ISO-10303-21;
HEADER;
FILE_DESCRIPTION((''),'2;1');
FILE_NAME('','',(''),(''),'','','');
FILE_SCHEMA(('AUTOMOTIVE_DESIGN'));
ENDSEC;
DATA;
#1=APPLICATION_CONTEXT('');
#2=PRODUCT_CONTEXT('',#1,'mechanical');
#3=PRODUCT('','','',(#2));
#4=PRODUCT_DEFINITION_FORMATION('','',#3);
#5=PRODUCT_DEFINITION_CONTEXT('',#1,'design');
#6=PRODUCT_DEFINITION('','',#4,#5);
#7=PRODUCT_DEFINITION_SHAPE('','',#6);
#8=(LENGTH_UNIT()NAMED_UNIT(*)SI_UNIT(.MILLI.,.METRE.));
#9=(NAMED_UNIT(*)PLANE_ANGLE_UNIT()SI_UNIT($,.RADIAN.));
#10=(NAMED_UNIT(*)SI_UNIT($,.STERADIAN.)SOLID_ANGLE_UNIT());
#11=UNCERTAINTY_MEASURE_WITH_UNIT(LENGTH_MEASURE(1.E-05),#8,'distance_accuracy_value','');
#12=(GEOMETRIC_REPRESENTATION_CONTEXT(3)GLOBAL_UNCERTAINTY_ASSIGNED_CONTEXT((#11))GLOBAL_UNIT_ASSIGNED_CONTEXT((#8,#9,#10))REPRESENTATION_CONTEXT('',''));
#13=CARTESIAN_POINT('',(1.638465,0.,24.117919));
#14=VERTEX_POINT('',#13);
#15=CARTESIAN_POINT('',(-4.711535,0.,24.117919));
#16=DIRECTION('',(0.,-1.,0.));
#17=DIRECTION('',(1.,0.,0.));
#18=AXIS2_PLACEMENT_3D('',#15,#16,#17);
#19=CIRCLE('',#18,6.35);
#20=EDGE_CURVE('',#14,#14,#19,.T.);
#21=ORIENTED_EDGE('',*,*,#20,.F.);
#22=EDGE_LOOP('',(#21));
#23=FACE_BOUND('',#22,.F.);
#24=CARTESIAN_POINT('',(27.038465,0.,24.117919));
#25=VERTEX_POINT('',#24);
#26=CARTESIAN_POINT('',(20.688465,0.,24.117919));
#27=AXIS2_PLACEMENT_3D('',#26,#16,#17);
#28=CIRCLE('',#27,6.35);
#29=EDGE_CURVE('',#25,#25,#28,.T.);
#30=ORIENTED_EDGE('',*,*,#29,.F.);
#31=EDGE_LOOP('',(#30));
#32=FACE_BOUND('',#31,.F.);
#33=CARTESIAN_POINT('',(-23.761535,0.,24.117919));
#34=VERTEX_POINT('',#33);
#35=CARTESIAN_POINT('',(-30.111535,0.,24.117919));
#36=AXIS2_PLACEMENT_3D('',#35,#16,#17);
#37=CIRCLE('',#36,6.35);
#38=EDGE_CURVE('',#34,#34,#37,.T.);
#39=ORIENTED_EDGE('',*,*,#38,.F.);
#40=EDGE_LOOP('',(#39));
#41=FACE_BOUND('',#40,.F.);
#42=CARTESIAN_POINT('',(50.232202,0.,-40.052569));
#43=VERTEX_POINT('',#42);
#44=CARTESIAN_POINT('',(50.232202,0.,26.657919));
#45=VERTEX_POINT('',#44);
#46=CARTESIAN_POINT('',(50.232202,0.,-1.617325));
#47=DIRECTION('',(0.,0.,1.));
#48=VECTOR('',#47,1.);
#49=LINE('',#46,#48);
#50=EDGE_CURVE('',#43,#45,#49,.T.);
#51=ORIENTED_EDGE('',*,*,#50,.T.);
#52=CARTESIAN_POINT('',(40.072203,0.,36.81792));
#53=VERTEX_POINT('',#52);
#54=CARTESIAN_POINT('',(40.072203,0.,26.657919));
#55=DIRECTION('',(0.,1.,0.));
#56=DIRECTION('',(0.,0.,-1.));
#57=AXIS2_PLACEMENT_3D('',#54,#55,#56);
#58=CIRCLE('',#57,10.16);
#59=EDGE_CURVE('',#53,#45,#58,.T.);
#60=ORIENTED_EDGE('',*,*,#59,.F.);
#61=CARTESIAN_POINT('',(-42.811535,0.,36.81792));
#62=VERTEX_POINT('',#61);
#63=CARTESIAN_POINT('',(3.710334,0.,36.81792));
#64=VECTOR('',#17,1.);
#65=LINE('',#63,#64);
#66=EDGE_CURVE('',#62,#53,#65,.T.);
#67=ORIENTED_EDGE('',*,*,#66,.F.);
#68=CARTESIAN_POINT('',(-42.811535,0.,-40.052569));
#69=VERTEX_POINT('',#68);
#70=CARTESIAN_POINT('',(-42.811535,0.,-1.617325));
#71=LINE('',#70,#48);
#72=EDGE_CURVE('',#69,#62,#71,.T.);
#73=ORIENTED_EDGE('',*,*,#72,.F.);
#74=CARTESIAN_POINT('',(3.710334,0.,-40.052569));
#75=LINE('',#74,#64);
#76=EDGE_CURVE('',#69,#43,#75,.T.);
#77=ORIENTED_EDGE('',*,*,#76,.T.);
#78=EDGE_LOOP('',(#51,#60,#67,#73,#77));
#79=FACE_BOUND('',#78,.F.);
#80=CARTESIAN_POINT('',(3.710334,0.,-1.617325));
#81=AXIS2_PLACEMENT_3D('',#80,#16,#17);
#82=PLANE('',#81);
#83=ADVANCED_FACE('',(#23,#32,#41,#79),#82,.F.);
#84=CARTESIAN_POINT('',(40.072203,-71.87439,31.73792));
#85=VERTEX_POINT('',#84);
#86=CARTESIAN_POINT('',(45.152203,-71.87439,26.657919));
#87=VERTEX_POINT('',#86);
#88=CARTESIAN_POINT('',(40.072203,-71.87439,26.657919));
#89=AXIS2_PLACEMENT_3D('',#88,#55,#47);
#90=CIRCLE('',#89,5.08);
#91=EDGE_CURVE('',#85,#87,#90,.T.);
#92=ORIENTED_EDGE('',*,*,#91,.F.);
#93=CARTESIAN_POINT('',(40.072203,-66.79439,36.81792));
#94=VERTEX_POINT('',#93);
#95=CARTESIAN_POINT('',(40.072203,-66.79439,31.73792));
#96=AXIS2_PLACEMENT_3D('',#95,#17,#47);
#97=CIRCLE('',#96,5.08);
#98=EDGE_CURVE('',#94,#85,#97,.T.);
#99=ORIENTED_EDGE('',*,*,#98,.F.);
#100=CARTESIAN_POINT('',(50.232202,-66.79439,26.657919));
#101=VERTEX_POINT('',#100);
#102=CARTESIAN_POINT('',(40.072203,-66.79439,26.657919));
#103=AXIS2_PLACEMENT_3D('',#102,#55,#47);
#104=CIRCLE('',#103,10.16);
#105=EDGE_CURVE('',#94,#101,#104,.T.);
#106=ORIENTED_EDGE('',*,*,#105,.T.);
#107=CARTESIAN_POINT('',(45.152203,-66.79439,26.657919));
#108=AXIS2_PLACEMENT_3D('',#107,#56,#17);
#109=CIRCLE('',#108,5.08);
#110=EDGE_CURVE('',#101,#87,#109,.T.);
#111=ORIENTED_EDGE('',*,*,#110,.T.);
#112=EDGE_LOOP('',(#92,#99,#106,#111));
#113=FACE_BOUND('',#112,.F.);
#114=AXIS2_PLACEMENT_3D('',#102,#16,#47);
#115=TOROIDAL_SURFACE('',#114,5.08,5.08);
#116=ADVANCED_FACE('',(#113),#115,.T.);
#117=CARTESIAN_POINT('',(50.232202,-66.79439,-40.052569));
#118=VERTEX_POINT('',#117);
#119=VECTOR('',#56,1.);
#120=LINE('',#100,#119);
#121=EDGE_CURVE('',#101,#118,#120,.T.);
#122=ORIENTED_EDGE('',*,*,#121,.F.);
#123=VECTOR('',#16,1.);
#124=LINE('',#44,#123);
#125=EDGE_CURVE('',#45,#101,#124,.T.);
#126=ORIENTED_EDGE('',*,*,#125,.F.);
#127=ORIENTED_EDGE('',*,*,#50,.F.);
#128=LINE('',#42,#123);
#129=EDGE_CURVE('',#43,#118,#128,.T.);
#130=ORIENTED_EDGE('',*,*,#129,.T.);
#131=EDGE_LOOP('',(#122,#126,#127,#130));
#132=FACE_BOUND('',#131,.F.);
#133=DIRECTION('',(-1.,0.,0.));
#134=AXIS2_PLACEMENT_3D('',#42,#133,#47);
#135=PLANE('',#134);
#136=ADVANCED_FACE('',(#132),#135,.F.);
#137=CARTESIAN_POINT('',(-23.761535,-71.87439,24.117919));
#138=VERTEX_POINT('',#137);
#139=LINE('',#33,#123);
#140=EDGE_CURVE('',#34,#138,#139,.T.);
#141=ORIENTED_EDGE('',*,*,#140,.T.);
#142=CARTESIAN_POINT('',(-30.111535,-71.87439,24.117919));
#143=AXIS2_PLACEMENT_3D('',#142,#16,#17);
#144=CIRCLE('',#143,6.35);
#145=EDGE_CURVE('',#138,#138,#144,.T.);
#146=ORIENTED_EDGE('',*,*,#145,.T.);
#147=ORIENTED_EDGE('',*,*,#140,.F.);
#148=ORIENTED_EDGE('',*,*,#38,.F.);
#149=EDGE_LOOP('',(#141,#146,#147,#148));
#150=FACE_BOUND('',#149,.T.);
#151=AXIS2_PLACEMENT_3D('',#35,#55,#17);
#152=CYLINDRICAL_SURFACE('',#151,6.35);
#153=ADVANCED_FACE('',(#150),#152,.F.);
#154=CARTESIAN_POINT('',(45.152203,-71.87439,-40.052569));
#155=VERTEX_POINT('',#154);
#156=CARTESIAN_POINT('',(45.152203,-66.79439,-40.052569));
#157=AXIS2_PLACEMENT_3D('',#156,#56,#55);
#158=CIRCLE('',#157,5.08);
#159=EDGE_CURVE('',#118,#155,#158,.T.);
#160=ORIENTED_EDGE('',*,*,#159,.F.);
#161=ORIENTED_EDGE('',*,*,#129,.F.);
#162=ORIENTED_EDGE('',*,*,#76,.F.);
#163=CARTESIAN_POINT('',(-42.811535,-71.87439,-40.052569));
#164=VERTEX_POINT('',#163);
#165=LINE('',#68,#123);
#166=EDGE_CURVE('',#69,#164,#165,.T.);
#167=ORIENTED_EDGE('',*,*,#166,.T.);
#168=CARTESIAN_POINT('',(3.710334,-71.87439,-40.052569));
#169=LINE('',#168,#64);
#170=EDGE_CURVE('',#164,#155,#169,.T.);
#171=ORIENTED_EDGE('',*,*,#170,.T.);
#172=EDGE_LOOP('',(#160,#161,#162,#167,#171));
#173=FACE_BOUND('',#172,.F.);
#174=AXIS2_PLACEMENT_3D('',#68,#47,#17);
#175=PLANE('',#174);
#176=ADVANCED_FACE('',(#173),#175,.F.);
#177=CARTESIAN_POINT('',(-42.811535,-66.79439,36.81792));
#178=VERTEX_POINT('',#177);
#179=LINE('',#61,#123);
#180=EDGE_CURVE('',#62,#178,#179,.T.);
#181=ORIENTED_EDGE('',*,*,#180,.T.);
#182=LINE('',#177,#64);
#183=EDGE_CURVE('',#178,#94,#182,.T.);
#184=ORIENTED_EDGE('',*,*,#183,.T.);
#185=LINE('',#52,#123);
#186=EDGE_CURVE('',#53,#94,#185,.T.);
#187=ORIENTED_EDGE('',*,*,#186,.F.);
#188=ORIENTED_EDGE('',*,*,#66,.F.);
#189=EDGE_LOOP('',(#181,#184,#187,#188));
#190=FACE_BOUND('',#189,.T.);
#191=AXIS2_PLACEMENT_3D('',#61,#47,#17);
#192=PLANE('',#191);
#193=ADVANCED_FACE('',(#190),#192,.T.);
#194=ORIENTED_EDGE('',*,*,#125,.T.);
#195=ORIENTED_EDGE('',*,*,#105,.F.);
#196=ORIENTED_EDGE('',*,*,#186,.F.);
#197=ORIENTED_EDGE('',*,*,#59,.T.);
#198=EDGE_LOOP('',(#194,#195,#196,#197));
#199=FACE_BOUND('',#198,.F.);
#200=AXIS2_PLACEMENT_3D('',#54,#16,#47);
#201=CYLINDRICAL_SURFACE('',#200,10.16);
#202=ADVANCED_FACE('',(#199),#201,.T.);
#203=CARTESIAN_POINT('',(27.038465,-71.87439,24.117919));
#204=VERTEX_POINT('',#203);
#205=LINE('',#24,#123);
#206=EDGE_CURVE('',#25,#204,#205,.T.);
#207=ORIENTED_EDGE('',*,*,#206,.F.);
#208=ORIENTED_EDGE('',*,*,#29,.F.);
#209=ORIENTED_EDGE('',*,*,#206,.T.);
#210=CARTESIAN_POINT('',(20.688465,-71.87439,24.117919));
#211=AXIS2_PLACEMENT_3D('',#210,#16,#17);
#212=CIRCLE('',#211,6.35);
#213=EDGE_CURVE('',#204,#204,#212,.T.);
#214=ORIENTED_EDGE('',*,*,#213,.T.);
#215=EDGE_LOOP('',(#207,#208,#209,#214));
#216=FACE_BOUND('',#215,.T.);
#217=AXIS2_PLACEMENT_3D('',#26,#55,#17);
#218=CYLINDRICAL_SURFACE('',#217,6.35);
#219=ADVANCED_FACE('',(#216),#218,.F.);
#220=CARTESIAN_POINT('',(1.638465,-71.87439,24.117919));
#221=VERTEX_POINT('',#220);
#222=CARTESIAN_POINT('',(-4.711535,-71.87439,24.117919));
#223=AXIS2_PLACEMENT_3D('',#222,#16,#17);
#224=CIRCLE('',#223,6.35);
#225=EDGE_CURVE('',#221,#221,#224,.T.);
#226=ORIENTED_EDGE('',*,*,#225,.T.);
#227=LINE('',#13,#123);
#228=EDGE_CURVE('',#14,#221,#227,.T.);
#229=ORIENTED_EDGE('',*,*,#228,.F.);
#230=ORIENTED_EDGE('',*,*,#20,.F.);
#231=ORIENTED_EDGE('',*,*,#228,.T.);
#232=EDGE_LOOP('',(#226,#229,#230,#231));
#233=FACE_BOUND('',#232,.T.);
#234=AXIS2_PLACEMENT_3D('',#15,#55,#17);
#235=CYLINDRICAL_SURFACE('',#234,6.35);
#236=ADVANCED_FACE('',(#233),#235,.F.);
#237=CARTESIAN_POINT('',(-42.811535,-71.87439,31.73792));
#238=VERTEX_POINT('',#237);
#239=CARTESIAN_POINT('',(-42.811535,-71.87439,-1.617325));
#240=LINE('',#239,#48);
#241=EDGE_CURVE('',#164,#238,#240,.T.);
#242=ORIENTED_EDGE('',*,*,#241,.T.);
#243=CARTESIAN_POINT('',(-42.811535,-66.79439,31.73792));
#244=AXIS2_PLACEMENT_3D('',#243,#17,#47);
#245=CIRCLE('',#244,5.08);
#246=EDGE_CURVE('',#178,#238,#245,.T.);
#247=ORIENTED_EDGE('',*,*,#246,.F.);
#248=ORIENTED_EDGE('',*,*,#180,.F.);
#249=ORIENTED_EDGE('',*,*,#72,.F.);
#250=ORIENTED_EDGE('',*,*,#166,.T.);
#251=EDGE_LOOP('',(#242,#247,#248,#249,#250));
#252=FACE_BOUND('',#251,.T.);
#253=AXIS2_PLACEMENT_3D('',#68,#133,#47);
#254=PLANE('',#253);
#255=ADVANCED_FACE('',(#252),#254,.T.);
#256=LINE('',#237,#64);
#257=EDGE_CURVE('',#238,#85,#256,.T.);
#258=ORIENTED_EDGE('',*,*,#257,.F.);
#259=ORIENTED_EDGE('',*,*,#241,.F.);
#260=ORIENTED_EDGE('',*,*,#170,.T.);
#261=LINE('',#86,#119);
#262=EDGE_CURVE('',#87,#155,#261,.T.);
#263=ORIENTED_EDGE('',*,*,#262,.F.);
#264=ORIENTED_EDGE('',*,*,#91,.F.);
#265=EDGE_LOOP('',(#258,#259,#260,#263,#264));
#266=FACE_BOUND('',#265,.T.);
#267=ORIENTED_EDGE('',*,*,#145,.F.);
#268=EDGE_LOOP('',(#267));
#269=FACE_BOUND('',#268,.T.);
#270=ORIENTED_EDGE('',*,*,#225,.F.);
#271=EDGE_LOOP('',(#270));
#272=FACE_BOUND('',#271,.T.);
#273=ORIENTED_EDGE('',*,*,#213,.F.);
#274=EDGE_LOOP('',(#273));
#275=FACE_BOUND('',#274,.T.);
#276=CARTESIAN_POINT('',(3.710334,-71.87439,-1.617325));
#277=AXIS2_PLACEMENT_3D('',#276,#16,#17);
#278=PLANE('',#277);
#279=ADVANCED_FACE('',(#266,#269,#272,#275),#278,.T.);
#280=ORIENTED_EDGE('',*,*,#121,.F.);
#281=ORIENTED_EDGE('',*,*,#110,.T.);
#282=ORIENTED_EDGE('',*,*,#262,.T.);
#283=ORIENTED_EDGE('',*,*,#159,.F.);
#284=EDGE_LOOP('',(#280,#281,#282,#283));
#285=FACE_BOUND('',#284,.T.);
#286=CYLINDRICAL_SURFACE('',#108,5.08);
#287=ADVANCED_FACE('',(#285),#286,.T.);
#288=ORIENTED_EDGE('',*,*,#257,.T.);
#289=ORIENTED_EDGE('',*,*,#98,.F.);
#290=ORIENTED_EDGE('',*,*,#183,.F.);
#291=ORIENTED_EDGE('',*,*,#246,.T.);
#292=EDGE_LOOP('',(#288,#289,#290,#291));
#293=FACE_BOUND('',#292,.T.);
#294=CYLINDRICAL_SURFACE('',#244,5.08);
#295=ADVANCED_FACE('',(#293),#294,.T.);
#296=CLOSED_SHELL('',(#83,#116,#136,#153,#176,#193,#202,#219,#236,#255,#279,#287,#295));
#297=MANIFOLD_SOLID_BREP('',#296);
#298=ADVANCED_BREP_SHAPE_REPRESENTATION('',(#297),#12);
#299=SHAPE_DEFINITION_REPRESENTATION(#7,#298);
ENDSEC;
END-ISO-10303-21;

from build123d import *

# Parameters (mm, degrees)
F0_W     = 93.043737
F0_H     = 76.870489
F0_R     = 6.35
F1_DEPTH = 71.87439
F2_R     = 10.16
F3_R     = 5.08


with BuildPart() as f1:
    # F0 (on Front) → F1 (new body)
    with BuildSketch(Plane.XZ):
        with Locations((3.710334, -1.617325)):
            Rectangle(F0_W, F0_H)
        with Locations((-30.111535, 24.117919)):
            Circle(F0_R, mode=Mode.SUBTRACT)
        with Locations((-4.711535, 24.117919)):
            Circle(F0_R, mode=Mode.SUBTRACT)
        with Locations((20.688465, 24.117919)):
            Circle(F0_R, mode=Mode.SUBTRACT)
    extrude(amount=F1_DEPTH)

    # F2
    f2_edges = [f1.edges().sort_by_distance(p)[0] for p in [
        (50.232202, -35.937195, 36.817919),
    ]]
    fillet(f2_edges, radius=F2_R)

    # F3
    f3_edges = [f1.edges().sort_by_distance(p)[0] for p in [
        (-1.369667, -71.87439, 36.817919),
    ]]
    fillet(f3_edges, radius=F3_R)


solid = f1.part
